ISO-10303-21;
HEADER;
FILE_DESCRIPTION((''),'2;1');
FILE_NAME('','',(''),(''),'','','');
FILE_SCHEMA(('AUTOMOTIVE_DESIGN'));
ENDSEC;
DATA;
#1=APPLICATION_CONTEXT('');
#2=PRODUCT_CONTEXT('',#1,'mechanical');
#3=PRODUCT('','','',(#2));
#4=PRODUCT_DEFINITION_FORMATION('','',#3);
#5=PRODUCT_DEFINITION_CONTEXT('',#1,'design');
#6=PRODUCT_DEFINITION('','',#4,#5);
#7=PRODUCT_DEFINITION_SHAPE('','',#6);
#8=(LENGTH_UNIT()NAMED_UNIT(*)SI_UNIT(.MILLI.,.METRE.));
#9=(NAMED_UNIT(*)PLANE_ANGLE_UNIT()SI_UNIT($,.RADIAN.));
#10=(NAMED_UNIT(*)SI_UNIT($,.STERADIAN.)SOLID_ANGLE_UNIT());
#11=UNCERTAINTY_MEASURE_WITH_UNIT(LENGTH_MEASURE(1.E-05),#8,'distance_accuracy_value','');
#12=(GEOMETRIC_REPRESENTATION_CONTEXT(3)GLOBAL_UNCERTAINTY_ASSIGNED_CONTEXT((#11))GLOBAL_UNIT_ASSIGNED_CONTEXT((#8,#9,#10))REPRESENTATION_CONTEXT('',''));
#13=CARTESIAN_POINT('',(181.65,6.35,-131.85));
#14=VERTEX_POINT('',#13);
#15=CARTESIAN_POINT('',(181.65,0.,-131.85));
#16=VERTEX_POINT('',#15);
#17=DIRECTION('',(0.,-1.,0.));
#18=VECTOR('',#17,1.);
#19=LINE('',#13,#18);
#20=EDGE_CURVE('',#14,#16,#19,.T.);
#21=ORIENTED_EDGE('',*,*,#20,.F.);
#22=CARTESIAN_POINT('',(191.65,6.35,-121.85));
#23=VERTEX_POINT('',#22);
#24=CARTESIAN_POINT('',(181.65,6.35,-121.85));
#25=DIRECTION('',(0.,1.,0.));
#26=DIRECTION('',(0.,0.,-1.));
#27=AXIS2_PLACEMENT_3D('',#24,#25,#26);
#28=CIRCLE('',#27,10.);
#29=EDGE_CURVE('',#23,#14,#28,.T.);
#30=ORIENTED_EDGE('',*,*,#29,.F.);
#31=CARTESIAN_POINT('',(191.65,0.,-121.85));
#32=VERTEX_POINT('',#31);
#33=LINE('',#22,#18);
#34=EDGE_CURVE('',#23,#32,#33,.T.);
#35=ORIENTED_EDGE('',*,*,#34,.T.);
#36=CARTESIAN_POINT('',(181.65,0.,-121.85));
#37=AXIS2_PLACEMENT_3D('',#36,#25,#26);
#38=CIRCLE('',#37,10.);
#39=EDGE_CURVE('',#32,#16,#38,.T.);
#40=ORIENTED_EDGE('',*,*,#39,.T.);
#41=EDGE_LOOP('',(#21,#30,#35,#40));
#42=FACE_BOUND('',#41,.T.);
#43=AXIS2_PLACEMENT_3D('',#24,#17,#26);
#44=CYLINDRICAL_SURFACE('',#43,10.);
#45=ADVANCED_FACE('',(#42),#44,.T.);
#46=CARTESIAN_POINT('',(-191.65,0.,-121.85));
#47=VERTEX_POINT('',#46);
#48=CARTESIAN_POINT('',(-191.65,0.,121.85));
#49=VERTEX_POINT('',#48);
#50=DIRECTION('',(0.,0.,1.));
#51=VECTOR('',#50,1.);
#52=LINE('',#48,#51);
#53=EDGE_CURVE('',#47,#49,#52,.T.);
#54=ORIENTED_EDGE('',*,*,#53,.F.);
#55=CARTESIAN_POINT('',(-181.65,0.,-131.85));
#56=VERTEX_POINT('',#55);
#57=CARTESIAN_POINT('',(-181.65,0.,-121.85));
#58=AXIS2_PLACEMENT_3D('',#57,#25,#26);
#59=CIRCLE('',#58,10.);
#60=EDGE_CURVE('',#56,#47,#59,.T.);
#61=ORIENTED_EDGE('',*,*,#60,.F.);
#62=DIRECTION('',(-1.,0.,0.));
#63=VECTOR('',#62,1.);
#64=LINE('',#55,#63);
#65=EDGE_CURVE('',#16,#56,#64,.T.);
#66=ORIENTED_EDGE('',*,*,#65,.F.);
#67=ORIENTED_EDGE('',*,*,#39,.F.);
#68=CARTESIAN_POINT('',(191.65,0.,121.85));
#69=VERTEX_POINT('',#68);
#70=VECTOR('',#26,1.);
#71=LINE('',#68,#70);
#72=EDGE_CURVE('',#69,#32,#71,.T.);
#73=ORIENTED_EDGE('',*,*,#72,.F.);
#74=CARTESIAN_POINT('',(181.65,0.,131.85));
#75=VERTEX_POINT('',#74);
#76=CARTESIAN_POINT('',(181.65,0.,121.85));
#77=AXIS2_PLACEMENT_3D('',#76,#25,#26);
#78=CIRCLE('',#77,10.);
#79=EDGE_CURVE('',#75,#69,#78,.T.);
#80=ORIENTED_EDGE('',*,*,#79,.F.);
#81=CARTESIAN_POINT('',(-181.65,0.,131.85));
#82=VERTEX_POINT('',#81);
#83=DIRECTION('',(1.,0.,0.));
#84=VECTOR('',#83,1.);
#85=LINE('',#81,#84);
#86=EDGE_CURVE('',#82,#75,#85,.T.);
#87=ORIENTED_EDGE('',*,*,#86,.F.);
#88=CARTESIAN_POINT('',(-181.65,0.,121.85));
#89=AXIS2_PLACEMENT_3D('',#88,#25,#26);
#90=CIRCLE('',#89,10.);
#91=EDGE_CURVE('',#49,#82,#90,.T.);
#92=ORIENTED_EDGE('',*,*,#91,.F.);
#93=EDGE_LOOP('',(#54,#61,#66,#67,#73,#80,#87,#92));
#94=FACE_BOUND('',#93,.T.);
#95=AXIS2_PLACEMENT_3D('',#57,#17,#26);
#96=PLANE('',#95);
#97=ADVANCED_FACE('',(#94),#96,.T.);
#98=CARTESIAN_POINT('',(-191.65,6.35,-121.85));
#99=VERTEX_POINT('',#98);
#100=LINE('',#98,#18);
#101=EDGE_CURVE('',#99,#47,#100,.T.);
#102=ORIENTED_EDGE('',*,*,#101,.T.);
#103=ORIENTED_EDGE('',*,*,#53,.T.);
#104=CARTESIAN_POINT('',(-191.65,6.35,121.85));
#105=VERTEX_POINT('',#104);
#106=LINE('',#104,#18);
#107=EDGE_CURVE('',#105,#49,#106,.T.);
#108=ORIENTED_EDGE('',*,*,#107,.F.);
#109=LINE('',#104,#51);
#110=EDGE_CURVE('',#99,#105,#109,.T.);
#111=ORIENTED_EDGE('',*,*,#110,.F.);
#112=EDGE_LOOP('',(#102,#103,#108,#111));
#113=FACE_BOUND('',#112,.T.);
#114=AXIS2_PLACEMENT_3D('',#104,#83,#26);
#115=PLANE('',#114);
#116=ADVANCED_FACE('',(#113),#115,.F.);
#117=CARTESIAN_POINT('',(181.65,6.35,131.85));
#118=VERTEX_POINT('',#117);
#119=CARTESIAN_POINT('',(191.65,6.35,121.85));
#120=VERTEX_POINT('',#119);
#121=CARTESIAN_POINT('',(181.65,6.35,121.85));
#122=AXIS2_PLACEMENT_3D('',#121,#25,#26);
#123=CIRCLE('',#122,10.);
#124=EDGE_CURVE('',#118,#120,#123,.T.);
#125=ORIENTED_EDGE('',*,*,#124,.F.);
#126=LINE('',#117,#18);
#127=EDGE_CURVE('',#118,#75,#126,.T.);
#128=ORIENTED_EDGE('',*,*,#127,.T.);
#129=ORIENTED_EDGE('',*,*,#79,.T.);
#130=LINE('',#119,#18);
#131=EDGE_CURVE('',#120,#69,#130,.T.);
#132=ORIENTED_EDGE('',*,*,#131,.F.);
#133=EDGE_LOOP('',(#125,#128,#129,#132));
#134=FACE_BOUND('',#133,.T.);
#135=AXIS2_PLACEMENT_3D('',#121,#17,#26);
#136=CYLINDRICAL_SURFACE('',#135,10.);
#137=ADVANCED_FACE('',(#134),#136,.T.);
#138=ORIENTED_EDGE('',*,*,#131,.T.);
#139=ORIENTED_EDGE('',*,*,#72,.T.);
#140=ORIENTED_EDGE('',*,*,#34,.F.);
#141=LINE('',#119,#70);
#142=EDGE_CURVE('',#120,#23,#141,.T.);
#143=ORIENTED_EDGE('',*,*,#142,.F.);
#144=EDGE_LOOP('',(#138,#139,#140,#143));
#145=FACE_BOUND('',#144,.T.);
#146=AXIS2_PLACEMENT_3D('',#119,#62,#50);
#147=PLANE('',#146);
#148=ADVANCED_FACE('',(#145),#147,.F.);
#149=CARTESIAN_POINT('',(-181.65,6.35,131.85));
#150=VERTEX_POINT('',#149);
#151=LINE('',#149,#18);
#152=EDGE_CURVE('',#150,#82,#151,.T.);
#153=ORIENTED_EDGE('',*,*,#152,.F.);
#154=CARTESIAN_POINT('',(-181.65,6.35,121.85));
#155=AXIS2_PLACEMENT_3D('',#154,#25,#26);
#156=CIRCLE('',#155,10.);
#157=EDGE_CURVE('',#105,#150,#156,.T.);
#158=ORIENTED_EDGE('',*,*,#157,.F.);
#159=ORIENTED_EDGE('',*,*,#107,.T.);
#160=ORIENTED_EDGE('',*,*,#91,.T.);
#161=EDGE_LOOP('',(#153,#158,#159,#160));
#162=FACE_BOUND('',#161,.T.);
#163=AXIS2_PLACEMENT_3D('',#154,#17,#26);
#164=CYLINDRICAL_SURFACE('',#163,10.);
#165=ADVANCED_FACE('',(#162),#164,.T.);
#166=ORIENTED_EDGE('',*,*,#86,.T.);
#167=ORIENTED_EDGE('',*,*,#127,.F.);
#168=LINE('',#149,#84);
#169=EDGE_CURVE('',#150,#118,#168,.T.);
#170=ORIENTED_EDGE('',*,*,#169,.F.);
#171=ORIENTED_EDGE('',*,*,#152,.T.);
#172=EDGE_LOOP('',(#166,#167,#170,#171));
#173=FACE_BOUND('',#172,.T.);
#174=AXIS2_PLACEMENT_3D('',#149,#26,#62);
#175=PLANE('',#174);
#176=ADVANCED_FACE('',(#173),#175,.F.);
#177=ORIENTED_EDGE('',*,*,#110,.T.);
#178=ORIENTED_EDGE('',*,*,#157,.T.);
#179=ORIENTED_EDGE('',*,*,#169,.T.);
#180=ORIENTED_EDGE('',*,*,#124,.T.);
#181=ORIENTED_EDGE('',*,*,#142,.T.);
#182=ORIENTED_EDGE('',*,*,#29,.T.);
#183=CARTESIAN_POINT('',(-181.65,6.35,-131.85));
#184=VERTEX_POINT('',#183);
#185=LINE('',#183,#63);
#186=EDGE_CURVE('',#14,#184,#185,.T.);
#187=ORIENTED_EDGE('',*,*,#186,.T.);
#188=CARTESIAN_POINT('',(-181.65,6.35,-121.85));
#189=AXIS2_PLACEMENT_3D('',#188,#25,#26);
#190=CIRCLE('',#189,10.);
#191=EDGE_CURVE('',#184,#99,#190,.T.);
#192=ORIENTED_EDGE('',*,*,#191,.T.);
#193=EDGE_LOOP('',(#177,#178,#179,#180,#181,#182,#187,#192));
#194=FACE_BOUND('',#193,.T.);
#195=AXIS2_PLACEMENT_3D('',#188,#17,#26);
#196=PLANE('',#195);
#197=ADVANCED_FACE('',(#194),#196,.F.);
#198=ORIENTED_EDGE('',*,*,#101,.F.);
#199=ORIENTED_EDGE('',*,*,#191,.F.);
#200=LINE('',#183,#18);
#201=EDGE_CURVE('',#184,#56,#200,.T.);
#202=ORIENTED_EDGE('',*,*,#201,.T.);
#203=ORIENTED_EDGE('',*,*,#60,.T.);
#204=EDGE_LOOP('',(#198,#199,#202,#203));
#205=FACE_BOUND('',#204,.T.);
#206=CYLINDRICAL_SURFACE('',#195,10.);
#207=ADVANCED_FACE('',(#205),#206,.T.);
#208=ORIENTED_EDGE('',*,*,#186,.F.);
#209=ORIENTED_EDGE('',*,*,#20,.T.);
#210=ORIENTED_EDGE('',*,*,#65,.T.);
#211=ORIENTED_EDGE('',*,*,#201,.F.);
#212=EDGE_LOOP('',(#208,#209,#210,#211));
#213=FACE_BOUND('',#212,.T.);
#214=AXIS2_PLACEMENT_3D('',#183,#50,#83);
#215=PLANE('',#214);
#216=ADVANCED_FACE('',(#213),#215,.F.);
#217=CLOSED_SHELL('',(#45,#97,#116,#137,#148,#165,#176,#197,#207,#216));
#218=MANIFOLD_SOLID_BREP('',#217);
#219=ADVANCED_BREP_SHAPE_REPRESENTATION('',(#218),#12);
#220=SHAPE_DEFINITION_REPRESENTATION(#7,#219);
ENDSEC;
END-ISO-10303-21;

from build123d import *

# Parameters (mm, degrees)
BOSS_EXTRUDE1_DEPTH = 6.35


with BuildPart() as part:
    # Sketch1 → Boss-Extrude1 (new body)
    with BuildSketch(Plane(origin=(0, 0, 0), x_dir=(1, 0, 0), z_dir=(0, 1, 0))):
        with BuildLine():
            Line((-181.65, -131.85), (181.65, -131.85))
            ThreePointArc((181.65, -131.85), (188.721067812, -128.921067812), (191.65, -121.85))
            Line((191.65, -121.85), (191.65, 121.85))
            ThreePointArc((191.65, 121.85), (188.721067812, 128.921067812), (181.65, 131.85))
            Line((181.65, 131.85), (-181.65, 131.85))
            ThreePointArc((-181.65, 131.85), (-188.721067812, 128.921067812), (-191.65, 121.85))
            Line((-191.65, 121.85), (-191.65, -121.85))
            ThreePointArc((-191.65, -121.85), (-188.721067812, -128.921067812), (-181.65, -131.85))
        make_face()
    extrude(amount=BOSS_EXTRUDE1_DEPTH)


solid = part.part
